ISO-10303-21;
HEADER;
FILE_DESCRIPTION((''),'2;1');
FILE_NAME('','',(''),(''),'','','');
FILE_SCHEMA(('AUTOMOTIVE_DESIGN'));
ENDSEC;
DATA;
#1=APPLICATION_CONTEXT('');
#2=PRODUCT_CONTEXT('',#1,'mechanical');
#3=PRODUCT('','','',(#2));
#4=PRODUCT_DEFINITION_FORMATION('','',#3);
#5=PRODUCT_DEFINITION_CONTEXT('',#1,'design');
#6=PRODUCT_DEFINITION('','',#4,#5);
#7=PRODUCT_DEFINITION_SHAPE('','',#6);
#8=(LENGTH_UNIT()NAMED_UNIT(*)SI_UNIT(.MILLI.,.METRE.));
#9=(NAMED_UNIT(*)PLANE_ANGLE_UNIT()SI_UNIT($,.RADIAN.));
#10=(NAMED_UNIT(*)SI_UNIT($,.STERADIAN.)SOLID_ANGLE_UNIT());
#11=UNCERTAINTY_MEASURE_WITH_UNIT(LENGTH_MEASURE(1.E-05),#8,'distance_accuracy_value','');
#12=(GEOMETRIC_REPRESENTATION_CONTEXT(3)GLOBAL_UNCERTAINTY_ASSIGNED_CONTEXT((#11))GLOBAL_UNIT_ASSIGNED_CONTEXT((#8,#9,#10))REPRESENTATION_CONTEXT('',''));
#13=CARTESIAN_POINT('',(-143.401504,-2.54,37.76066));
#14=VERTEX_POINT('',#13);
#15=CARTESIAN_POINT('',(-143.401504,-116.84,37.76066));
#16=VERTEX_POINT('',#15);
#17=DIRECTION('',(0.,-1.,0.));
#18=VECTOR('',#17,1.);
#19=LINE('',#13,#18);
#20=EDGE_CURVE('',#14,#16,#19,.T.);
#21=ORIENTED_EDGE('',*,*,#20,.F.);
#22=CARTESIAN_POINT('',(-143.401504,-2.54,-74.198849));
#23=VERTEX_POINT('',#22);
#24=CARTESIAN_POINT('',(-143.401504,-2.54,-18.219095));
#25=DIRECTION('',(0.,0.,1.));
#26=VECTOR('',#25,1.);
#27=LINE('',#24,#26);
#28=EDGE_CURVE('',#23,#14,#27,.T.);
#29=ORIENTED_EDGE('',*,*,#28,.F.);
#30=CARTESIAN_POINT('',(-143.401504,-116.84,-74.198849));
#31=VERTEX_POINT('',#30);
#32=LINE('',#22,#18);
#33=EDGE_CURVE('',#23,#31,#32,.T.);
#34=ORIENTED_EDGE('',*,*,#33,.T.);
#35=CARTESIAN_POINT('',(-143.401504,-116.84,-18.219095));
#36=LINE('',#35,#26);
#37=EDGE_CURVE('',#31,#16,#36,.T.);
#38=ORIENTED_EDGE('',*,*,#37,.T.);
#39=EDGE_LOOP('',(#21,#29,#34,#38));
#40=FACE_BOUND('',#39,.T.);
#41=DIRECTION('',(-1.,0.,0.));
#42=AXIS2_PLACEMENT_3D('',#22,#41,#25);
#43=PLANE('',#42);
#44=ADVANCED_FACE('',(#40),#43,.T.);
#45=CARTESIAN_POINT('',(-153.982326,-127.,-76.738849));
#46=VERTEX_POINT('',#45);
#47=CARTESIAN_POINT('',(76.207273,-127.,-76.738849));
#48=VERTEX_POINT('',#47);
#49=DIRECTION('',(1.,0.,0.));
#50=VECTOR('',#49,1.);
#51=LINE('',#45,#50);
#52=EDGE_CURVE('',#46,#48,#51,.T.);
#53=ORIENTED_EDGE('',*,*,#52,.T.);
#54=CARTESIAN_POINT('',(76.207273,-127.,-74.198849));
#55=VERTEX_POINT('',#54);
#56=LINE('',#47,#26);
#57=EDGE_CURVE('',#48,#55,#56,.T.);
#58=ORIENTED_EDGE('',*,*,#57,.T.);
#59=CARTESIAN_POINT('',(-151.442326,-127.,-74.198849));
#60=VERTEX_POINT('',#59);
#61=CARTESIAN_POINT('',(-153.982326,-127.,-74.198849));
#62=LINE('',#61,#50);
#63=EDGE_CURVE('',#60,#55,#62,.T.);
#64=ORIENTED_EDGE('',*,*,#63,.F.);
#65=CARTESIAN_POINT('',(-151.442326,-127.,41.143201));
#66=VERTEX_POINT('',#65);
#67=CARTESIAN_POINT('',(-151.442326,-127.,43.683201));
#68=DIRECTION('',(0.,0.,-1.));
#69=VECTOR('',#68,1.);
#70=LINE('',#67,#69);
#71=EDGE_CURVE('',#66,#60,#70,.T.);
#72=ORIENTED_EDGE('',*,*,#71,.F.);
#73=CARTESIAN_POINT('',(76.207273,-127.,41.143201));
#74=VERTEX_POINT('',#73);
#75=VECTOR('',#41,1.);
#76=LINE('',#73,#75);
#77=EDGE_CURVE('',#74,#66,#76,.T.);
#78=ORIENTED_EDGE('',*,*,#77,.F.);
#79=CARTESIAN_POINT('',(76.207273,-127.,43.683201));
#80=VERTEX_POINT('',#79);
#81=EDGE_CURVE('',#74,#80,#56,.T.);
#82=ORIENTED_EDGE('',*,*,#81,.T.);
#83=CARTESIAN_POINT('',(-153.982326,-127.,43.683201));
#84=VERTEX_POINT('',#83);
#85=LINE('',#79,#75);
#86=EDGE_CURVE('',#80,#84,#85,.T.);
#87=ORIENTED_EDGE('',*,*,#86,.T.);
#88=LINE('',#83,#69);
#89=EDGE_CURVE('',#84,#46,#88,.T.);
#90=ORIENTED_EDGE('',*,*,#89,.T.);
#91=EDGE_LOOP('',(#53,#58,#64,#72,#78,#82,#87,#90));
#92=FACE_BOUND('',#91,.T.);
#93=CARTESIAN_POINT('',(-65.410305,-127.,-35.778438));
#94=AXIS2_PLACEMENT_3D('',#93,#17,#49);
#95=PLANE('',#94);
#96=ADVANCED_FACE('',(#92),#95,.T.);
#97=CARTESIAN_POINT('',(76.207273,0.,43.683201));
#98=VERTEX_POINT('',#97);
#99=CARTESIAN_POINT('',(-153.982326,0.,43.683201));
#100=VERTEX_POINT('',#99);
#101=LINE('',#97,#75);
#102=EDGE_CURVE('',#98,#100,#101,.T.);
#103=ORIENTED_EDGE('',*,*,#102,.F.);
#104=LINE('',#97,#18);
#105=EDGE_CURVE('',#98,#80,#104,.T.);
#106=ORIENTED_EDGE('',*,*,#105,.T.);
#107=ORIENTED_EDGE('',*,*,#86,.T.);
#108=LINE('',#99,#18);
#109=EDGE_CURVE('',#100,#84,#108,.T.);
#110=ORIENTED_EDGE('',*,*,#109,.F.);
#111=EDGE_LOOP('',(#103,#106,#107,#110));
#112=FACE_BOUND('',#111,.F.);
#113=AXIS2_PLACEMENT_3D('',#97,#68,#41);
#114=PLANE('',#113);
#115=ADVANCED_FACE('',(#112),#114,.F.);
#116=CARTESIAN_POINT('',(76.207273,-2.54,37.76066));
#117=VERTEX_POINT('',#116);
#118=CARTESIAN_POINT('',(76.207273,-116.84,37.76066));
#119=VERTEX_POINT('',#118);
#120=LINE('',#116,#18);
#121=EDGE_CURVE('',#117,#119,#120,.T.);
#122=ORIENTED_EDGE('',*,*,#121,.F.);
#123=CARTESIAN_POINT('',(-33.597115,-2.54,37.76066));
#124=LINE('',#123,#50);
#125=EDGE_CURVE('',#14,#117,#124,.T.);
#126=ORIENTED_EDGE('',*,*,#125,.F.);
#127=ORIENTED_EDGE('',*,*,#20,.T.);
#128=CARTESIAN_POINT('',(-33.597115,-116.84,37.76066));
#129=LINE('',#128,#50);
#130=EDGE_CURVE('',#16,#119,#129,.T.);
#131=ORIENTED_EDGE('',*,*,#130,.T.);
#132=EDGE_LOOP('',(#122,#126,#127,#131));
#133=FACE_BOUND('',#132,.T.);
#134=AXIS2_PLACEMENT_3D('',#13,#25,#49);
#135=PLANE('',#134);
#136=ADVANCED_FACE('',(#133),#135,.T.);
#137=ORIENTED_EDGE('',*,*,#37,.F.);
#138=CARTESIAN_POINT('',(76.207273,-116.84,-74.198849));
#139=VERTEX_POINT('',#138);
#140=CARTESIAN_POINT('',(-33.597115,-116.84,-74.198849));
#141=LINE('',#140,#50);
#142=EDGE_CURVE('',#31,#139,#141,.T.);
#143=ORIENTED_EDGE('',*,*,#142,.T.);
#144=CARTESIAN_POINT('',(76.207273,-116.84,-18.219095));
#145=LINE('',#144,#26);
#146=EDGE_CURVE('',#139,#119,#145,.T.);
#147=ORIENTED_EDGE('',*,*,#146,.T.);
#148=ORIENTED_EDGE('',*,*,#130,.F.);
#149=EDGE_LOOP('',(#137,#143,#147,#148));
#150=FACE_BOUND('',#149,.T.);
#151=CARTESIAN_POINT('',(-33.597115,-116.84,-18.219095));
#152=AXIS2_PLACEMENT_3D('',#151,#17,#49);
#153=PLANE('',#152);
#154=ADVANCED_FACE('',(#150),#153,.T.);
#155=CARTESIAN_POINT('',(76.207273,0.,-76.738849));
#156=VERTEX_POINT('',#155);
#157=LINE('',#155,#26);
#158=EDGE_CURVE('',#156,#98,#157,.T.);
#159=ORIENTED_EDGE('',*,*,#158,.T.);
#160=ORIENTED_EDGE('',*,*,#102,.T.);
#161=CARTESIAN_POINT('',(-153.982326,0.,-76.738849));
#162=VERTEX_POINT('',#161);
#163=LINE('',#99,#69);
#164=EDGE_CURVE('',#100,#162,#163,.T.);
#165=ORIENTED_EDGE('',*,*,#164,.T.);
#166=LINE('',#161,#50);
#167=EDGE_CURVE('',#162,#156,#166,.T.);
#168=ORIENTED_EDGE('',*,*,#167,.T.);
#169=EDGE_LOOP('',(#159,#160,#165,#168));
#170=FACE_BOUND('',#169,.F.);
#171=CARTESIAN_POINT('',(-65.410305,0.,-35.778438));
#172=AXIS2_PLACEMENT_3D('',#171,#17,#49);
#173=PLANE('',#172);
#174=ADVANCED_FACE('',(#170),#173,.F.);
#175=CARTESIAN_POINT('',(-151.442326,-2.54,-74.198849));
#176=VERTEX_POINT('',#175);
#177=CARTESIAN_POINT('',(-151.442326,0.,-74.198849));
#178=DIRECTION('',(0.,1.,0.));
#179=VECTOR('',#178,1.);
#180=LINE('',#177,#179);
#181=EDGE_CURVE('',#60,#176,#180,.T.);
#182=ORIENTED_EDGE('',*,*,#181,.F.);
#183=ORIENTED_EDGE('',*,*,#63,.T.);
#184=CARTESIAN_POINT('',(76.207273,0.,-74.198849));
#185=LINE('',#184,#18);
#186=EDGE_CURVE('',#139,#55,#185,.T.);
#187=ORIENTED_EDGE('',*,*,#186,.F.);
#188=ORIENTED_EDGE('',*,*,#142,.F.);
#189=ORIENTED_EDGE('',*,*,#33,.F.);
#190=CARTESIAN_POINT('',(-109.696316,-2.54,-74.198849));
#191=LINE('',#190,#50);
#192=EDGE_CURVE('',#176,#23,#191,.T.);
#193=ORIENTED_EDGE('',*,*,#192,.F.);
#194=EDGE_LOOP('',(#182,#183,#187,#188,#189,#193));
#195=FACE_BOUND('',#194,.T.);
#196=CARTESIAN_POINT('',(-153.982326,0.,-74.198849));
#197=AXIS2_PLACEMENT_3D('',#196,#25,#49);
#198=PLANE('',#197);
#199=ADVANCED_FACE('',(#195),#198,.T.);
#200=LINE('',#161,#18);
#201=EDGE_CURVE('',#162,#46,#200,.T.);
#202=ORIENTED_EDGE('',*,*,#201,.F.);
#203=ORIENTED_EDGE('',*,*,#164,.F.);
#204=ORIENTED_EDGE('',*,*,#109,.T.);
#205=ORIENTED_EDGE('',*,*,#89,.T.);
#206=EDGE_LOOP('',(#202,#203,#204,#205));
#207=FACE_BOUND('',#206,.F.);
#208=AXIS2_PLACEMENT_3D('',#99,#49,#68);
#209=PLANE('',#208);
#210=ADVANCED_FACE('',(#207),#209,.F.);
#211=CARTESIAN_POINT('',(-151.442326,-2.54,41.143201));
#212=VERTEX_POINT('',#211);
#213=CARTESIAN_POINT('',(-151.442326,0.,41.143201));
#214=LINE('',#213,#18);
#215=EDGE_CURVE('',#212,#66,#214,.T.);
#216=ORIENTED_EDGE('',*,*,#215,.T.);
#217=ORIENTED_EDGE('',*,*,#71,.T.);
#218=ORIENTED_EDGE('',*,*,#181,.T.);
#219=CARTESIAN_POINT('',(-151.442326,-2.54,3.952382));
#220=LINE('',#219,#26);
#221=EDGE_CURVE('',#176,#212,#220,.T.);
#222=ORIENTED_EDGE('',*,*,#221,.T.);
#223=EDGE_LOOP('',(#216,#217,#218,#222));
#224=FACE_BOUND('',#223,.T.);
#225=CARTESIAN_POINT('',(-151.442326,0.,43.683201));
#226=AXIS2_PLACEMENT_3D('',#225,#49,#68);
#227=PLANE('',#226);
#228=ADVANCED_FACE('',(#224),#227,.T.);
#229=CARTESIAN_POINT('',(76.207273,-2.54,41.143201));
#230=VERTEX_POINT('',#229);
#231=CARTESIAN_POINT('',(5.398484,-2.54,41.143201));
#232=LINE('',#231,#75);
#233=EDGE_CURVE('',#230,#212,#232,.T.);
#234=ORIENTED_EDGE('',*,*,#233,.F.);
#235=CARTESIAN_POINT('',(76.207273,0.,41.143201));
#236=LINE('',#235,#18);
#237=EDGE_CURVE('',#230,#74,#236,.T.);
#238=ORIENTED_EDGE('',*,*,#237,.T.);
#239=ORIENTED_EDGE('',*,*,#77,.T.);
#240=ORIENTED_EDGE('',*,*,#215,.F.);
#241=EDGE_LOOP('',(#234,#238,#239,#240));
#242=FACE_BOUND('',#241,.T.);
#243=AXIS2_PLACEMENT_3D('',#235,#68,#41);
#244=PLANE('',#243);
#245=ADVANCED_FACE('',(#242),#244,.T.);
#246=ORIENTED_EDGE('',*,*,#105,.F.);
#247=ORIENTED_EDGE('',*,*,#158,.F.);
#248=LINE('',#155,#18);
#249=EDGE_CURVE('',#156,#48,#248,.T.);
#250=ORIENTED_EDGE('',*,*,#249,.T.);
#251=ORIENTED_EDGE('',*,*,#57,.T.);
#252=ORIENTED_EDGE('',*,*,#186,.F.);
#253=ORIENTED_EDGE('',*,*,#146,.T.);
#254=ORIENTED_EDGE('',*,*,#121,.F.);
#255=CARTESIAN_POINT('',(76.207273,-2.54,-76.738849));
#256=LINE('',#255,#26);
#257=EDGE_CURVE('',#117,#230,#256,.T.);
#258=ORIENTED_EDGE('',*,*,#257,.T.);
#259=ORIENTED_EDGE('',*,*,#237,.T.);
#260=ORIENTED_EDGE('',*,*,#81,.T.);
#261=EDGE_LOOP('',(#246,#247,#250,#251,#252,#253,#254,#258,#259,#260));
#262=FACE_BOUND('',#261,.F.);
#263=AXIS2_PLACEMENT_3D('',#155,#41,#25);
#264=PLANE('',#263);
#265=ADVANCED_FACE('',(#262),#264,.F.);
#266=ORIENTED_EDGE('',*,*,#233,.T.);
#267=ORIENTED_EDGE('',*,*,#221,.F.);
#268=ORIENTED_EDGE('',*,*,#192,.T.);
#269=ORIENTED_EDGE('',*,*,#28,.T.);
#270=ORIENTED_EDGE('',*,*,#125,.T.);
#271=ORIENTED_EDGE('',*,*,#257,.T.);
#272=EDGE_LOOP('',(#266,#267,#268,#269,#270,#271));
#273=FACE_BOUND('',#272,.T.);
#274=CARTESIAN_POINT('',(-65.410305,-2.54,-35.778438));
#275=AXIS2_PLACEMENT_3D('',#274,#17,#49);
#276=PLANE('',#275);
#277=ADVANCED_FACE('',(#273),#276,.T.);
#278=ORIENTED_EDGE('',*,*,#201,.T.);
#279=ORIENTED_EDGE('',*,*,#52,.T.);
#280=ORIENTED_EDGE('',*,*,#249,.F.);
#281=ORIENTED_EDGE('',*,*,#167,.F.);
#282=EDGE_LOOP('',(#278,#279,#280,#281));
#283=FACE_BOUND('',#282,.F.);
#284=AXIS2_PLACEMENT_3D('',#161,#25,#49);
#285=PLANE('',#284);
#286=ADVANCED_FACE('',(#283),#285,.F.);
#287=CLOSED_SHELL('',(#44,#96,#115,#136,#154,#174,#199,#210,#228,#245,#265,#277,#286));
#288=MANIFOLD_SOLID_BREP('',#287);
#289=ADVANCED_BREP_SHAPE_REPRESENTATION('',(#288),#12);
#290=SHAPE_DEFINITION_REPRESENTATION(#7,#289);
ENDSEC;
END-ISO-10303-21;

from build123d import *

# Parameters (mm, degrees)
F1_DEPTH = 127
F2_T     = -2.54
F3_W     = 219.6087762713
F3_H     = 111.9595093346
F4_DEPTH = 114.3


with BuildPart() as f1:
    # F0 (on Front) → F1 (new body)
    with BuildSketch(Plane.XZ):
        Polygon((-9.013194183, 43.6832010746), (-153.9823263884, 43.6832010746), (-153.9823263884, -76.7388492823), (76.2072727084, -76.7388492823), (76.2072727084, -73.0584636331), (-135.6322020292, -73.0584636331), (-38.0154103041, 16.9434007257), align=None)
        Polygon((76.2072727084, 43.6832010746), (-9.013194183, 43.6832010746), (-38.0154103041, 16.9434007257), (76.2072727084, 16.9434007257), align=None)
        Polygon((76.2072727084, 16.9434007257), (-38.0154103041, 16.9434007257), (-135.6322020292, -73.0584636331), (76.2072727084, -73.0584636331), align=None)
    extrude(amount=F1_DEPTH)

    # F2
    f2_openings = [f1.faces().sort_by_distance(p)[0] for p in [
        (-38.887527, -127, -16.527824),
        (76.207273, -63.5, -16.527824),
    ]]
    offset(amount=F2_T, openings=f2_openings)

    # F3 (on face) → F4 (join)
    with BuildSketch(Plane.XZ.offset(2.54)):
        with Locations((-33.5971154273, -18.219094615)):
            Rectangle(F3_W, F3_H)
    extrude(amount=F4_DEPTH)


solid = f1.part
